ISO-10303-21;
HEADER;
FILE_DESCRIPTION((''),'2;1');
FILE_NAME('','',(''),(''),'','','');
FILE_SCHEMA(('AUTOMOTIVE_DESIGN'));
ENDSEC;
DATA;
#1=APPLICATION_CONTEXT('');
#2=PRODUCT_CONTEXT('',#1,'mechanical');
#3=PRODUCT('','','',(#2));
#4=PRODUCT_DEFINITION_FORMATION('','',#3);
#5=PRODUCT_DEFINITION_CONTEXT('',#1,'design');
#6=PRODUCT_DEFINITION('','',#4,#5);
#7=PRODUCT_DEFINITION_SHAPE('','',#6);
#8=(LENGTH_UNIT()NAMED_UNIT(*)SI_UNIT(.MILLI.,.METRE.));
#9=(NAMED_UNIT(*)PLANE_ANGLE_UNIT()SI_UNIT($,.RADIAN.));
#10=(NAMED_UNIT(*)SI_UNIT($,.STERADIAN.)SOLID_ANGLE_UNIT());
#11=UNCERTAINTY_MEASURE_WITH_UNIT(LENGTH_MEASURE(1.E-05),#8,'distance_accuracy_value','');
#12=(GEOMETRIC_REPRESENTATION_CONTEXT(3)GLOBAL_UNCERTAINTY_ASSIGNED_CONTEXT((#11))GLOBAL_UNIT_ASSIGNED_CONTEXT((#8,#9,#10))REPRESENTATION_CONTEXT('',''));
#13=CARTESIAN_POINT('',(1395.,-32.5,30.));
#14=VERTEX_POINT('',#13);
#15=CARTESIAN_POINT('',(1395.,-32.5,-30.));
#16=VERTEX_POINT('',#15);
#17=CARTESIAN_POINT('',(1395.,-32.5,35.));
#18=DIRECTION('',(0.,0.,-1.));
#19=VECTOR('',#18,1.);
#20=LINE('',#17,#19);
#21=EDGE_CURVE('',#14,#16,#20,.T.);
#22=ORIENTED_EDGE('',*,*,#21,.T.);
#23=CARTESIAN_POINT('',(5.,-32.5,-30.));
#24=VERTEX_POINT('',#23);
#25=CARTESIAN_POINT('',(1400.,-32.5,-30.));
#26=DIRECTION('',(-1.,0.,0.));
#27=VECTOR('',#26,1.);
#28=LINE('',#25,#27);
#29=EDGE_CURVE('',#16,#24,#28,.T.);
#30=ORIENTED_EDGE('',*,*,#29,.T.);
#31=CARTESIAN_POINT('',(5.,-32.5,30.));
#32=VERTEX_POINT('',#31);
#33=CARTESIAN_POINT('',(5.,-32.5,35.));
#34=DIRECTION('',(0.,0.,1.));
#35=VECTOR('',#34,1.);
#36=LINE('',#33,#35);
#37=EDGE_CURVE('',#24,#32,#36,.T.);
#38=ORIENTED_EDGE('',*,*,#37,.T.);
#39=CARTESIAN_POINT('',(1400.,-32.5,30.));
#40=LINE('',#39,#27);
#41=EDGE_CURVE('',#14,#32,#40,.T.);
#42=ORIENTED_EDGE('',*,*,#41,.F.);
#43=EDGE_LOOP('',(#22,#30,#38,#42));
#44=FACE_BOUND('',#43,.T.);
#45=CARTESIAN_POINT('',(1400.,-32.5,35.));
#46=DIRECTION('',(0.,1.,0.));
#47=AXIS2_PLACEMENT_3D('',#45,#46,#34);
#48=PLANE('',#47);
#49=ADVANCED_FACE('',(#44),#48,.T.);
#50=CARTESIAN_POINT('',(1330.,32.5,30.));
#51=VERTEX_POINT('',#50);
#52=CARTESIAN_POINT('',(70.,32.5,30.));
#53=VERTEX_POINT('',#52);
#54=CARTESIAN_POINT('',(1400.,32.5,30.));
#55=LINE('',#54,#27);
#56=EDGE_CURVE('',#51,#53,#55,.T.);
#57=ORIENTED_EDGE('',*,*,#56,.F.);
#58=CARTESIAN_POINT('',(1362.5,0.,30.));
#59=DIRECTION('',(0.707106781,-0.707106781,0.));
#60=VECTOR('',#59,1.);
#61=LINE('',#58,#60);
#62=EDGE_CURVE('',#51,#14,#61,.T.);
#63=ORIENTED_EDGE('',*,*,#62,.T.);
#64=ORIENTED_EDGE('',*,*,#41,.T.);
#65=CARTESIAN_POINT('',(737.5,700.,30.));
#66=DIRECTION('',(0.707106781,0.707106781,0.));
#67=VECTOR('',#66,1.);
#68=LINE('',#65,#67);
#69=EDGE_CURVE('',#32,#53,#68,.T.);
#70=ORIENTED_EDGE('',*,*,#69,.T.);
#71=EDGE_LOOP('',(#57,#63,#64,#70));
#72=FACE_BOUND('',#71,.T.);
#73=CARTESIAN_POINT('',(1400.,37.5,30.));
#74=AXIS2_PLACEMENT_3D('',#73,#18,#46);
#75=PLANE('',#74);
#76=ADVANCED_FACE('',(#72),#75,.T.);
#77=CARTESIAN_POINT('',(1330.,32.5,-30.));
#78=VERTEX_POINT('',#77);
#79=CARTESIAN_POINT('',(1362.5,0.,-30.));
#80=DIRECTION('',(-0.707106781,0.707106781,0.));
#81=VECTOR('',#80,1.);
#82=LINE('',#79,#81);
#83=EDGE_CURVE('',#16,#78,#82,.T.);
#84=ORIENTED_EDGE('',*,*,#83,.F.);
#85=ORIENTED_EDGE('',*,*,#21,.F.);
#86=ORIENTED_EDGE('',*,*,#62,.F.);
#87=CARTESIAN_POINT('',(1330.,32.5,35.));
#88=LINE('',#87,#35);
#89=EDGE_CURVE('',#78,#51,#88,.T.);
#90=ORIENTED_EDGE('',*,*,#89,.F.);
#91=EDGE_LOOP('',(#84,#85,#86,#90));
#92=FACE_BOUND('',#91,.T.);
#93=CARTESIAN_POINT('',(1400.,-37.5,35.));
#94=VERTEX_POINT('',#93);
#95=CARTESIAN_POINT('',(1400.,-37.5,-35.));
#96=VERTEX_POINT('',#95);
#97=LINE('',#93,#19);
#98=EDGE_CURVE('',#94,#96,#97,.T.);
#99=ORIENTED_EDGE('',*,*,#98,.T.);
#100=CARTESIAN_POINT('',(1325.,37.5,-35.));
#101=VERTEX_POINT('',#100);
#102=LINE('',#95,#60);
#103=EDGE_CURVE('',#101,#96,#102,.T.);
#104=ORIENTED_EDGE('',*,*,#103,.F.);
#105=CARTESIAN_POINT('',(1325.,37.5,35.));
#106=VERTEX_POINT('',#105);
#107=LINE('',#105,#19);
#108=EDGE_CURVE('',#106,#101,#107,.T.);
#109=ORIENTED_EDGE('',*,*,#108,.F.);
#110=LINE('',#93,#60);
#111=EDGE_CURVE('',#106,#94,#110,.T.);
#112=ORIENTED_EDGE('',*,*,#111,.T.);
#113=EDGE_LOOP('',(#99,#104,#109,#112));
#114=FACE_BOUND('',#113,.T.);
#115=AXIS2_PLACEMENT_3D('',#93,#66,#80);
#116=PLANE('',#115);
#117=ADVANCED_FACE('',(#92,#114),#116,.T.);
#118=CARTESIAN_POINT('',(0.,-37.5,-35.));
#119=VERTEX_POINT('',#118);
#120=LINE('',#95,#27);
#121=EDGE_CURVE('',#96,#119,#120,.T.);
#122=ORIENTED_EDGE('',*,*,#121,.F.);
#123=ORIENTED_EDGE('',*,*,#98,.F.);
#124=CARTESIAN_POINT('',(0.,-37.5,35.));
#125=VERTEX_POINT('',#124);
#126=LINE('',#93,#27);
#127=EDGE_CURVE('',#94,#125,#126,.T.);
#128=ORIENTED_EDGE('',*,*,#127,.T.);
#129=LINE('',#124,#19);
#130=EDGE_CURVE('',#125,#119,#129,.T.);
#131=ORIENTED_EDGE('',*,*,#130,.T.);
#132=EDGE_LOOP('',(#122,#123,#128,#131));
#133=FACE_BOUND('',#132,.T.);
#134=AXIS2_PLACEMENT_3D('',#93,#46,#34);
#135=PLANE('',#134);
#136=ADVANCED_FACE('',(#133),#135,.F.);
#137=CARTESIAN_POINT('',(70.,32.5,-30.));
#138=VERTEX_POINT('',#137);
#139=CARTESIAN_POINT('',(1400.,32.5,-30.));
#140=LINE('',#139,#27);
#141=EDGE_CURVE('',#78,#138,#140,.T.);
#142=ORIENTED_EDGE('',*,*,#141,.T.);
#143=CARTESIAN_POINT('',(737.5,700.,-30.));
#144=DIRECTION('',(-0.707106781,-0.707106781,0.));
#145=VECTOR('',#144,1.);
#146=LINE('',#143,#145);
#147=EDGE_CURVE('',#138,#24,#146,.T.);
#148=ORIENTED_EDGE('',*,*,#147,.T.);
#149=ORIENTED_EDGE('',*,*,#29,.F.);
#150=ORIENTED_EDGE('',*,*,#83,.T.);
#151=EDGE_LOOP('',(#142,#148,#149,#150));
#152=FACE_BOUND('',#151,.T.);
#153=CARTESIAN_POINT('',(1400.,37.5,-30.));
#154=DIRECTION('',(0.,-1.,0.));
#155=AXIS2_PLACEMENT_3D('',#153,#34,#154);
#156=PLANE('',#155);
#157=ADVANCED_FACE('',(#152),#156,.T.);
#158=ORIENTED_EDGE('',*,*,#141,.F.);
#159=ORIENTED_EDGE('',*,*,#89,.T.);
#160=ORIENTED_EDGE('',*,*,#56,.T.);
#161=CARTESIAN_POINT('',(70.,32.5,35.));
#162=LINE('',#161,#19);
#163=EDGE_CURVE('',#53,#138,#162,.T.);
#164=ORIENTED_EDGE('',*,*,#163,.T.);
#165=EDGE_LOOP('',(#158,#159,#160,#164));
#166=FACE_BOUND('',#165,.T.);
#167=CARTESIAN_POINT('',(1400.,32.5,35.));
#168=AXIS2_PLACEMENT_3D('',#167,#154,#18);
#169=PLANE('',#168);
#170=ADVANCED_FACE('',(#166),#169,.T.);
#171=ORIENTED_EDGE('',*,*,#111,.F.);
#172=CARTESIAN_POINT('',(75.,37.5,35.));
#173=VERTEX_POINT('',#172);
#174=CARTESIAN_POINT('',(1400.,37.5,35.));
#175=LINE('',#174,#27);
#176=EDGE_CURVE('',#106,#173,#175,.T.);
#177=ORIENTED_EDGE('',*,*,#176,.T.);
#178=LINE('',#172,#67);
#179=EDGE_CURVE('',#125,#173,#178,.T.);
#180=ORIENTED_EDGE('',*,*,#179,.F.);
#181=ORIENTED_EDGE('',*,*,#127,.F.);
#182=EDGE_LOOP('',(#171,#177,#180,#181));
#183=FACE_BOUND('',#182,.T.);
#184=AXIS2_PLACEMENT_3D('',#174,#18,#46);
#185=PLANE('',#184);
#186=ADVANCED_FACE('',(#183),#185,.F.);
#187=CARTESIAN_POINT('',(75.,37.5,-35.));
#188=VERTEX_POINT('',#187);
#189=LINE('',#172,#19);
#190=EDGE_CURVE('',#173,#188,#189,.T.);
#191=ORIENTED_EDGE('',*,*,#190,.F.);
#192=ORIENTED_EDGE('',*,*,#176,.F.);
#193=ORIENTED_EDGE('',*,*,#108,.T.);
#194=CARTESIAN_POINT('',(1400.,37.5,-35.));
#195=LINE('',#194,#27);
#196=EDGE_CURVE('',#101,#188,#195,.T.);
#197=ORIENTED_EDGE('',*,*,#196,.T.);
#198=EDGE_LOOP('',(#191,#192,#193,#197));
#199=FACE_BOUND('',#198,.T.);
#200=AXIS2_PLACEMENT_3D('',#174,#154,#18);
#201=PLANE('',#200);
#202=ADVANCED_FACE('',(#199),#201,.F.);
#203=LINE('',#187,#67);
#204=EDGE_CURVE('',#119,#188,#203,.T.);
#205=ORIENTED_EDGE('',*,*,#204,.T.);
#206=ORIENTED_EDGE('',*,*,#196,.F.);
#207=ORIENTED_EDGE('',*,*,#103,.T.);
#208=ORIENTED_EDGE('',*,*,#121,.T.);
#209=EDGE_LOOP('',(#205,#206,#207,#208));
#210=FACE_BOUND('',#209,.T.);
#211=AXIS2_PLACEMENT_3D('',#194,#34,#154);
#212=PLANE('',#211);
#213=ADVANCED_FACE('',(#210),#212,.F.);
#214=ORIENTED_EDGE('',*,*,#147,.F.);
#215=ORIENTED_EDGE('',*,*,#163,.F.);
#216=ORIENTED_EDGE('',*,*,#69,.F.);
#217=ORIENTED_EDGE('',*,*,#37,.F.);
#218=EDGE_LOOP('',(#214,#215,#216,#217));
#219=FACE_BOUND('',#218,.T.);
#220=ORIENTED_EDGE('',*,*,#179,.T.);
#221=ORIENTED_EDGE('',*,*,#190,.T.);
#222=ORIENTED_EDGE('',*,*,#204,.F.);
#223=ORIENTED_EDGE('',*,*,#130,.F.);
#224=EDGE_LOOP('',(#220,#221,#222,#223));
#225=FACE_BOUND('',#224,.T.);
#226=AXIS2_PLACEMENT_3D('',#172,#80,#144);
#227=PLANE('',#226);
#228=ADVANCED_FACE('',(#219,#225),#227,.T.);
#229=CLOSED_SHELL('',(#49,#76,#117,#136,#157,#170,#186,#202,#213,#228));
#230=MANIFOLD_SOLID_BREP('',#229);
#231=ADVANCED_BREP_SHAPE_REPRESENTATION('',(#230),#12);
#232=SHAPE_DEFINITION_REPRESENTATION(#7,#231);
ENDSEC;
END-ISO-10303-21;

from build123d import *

# Parameters (mm, degrees)
SKETCH_2_W          = 70
SKETCH_2_H          = 75
SKETCH_2_W_2        = 60
SKETCH_2_H_2        = 65
EXTRUDE_1_DEPTH     = 1400
SKETCH_3_OUTSIDE_W  = 1682.75
SKETCH_3_OUTSIDE_H  = 357.75
CUT_EXTRUDE_1_DEPTH = 71


with BuildPart() as part:
    # Эскиз2 → Вытянуть-Тонкостенный1 (new body)
    with BuildSketch(Plane(origin=(0, 0, 0), x_dir=(0, 0, -1), z_dir=(1, 0, 0))):
        Rectangle(SKETCH_2_W, SKETCH_2_H)
        Rectangle(SKETCH_2_W_2, SKETCH_2_H_2, mode=Mode.SUBTRACT)
    extrude(amount=EXTRUDE_1_DEPTH)

    # Эскиз3 outside → Вырез-Вытянуть1 (cut, through all)
    with BuildSketch(Plane(origin=(0, 0, -35), x_dir=(-1, 0, 0), z_dir=(0, 0, -1))):
        with Locations((-700, 0)):
            Rectangle(SKETCH_3_OUTSIDE_W, SKETCH_3_OUTSIDE_H)
        Polygon((-1400, -37.5), (-1325, 37.5), (-75, 37.5), (0, -37.5), align=None, mode=Mode.SUBTRACT)
    extrude(amount=-CUT_EXTRUDE_1_DEPTH, mode=Mode.SUBTRACT)


solid = part.part
